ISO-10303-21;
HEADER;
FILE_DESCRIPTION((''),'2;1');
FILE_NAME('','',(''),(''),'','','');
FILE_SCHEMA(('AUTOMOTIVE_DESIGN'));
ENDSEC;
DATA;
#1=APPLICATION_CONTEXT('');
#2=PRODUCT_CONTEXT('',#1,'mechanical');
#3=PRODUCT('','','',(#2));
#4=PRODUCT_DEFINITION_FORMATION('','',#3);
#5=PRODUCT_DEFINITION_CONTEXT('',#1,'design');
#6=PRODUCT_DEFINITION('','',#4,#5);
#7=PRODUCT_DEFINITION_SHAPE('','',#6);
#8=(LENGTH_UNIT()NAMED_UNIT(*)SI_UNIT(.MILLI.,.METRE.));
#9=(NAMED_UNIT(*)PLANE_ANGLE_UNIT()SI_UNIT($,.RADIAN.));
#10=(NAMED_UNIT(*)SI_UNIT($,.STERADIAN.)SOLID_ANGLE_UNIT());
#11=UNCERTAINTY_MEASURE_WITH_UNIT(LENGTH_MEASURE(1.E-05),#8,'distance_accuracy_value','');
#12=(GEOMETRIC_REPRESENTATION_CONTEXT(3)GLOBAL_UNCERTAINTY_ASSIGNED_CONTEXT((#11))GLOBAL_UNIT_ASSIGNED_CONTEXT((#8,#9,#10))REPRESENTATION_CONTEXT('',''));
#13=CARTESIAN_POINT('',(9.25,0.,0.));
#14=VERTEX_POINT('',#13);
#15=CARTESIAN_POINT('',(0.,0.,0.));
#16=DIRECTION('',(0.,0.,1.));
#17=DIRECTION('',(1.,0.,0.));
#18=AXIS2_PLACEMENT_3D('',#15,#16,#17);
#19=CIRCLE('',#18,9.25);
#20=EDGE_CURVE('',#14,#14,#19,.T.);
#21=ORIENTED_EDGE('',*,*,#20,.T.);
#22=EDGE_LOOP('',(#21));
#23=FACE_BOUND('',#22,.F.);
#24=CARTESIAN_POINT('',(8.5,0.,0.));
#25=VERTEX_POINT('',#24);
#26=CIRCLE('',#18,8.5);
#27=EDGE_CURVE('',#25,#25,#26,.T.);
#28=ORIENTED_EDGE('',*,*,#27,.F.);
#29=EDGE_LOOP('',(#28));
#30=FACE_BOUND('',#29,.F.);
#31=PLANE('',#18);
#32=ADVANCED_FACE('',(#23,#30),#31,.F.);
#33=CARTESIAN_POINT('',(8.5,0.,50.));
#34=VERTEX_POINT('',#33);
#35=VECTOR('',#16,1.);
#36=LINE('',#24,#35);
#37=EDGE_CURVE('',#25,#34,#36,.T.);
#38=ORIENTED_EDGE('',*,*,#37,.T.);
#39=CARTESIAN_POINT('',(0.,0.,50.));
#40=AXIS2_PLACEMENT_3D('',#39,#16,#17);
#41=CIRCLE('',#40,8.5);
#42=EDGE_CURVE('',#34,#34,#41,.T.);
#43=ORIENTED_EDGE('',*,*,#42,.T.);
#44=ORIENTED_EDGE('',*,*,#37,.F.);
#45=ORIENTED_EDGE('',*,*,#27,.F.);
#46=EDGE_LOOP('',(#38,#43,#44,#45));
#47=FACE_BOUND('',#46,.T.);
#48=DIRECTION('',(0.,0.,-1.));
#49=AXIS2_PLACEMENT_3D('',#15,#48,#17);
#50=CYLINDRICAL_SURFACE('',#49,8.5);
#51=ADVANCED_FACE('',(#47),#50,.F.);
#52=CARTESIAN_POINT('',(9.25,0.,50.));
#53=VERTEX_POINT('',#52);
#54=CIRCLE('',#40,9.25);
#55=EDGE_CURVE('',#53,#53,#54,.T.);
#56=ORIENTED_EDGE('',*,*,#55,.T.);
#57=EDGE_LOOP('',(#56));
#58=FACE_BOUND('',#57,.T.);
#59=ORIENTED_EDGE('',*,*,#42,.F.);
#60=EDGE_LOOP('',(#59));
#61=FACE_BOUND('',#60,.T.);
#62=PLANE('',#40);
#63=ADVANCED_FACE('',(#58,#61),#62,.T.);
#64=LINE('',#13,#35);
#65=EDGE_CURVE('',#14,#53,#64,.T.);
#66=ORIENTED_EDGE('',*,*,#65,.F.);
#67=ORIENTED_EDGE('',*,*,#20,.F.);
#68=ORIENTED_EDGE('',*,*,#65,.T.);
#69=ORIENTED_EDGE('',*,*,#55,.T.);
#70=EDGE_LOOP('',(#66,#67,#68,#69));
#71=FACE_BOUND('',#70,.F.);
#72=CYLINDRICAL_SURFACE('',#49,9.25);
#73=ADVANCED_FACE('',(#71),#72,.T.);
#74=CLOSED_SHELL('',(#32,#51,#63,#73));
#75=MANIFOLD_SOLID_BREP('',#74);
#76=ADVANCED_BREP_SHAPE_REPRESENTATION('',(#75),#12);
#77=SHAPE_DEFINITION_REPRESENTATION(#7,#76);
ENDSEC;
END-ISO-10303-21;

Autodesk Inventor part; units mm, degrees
ref_plane "YZ Plane" through (0, 0, 0) normal (1, 0, 0) x (0, 1, 0)
ref_plane "XZ Plane" through (0, 0, 0) normal (0, 1, 0) x (-1, 0, 0)
ref_plane "XY Plane" through (0, 0, 0) normal (0, 0, 1) x (1, 0, 0)
sketch "Sketch2" plane through (0, 0, 0) normal (0, 0, 1) x (1, 0, 0)
  circle A0 centre (0, 0) radius 8.5
  circle A1 centre (0, 0) radius 9.25
  dimension "d0" = 17
  dimension "d1" = 18.5
extrude "Extrusion1" add sketch "Sketch2" along normal blind 50
properties part number "P024" material "Aluminium"
